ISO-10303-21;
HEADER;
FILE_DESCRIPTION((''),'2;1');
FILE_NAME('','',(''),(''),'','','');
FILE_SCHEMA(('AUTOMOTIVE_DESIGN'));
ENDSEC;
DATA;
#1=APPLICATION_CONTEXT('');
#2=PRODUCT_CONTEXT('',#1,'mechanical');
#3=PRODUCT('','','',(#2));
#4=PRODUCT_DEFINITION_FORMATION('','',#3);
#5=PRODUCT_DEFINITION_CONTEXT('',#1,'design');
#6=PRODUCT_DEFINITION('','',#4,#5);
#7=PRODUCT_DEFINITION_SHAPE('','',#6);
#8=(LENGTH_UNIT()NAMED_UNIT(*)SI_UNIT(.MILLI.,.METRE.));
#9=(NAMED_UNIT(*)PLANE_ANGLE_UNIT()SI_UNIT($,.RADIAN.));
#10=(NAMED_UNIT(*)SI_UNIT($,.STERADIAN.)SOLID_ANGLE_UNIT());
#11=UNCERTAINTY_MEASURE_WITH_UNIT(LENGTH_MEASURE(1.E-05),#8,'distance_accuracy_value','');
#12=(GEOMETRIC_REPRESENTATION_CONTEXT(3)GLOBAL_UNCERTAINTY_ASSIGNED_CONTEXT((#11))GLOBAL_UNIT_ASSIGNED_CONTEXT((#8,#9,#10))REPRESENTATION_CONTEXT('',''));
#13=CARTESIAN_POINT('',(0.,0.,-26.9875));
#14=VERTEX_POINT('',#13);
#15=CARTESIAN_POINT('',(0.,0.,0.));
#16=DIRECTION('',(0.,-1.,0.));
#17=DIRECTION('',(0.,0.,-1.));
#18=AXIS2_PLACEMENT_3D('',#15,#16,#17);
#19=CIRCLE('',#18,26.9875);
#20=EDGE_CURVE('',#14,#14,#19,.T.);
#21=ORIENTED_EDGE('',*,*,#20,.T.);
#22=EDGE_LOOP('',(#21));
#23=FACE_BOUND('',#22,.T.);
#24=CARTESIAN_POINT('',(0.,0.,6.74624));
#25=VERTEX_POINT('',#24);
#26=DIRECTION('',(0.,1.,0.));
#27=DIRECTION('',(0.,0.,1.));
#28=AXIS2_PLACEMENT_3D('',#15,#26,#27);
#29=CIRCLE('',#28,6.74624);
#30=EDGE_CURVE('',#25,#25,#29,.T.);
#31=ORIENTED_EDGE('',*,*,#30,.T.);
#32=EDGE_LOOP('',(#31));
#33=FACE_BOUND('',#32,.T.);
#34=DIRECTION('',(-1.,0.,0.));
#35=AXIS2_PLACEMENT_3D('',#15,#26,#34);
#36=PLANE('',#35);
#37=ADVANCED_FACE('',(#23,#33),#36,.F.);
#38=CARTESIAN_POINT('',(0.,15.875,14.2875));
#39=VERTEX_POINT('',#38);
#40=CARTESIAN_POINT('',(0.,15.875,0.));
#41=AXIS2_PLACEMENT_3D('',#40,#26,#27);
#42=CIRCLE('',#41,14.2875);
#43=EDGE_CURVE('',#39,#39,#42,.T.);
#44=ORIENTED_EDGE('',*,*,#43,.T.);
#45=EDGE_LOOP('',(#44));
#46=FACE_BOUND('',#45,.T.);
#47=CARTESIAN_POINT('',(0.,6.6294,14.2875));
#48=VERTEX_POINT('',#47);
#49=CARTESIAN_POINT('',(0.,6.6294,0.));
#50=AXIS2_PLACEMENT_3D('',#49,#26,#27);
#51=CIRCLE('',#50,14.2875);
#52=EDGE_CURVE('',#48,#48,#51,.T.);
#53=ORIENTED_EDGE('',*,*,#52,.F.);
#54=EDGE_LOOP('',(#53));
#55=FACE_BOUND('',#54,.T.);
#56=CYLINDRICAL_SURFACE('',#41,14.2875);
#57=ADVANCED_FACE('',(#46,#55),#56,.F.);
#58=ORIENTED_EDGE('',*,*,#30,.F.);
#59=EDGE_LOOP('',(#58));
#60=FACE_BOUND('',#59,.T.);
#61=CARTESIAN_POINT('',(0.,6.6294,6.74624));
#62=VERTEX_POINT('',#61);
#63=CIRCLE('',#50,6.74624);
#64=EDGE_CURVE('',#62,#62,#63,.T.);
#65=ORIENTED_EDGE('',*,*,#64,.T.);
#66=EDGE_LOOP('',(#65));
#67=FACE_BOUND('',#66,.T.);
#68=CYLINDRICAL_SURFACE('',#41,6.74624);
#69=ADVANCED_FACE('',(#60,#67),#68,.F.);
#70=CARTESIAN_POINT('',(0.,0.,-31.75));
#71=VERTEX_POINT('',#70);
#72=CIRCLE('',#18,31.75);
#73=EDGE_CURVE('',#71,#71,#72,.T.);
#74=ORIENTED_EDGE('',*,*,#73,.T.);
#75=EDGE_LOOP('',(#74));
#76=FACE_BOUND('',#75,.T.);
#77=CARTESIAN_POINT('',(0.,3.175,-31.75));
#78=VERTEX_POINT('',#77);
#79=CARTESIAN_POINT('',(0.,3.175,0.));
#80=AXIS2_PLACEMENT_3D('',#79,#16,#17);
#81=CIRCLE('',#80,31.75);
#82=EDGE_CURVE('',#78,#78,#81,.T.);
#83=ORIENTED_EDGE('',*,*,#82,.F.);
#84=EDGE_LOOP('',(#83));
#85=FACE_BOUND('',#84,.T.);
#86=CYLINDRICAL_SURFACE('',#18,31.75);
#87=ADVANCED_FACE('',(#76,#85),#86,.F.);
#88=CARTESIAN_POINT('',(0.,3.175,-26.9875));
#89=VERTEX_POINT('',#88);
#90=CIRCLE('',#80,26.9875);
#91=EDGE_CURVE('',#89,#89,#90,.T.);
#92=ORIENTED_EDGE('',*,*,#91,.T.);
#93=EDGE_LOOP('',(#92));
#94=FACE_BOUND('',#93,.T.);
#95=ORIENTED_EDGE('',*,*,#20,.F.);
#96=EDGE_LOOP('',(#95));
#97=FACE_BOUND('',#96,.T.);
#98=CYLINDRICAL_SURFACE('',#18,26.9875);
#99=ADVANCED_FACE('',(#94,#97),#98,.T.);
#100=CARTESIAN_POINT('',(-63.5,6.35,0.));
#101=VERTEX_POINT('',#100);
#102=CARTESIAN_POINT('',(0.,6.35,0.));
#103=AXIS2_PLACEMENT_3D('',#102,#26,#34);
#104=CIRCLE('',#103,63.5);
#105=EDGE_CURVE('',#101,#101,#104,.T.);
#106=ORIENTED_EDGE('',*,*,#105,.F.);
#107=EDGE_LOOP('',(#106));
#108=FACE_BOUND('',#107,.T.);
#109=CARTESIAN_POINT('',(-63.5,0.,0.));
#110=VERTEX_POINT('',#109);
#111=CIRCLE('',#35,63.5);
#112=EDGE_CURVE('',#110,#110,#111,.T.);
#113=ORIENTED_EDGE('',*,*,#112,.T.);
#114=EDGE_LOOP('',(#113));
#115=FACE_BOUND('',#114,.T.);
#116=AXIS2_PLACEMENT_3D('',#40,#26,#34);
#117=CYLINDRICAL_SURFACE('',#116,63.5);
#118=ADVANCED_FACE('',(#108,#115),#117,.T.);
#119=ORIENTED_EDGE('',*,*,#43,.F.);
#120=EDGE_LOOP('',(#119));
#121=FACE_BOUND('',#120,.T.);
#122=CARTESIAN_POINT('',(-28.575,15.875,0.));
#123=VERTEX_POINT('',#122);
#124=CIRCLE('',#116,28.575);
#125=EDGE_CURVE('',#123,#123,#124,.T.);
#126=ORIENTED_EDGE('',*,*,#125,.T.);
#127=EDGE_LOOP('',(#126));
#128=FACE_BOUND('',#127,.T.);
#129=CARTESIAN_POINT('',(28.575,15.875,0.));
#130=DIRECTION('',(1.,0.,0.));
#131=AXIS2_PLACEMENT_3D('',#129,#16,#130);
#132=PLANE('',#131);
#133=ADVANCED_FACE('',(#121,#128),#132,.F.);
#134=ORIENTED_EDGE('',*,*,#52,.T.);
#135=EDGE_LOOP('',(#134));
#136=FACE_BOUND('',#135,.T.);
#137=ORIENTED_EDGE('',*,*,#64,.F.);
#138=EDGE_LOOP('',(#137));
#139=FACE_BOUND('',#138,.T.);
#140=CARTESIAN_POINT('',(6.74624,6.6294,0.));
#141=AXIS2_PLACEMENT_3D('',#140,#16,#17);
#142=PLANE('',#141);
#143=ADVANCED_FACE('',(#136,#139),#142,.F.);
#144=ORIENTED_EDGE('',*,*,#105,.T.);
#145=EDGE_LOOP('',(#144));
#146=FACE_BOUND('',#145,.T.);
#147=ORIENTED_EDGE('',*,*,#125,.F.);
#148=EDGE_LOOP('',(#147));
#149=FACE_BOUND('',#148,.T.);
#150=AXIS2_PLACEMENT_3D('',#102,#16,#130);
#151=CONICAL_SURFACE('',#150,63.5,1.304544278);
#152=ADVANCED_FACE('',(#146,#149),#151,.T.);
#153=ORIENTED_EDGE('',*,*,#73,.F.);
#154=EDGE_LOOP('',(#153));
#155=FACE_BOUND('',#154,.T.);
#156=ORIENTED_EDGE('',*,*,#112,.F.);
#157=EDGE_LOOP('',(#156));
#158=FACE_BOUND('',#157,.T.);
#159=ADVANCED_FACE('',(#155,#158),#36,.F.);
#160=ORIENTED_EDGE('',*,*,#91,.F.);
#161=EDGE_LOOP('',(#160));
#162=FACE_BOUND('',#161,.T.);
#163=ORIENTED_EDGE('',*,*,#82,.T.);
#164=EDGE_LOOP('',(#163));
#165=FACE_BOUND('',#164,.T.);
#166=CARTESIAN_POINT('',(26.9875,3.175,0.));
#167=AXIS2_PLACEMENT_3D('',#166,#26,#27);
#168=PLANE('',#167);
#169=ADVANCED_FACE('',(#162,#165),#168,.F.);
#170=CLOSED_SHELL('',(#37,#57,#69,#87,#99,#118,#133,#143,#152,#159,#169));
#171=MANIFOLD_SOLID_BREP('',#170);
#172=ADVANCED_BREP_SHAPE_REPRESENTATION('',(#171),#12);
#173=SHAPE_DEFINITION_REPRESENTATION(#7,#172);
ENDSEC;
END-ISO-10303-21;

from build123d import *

# Parameters (mm, degrees)
SKETCH2_W                                = 4.7625
SKETCH2_H                                = 3.175
CBORE_FOR_1_2_HEX_HEAD_BOLT1_D           = 13.49248
CBORE_FOR_1_2_HEX_HEAD_BOLT1_CBORE_D     = 28.575
CBORE_FOR_1_2_HEX_HEAD_BOLT1_CBORE_DEPTH = 9.2456


with BuildPart() as part:
    # Sketch1 → Base-Revolve (revolve)
    with BuildSketch(Plane.XY, mode=Mode.PRIVATE) as base_revolve_sk:
        Polygon((0, 0), (63.5, 0), (63.5, 6.35), (28.575, 15.875), (0, 15.875), align=None)
    revolve(base_revolve_sk.sketch.rotate(Axis((0, 15.875, 0), (0, -1, 0)), 180), axis=Axis((0, 15.875, 0), (0, -1, 0)))

    # Sketch2 → Groove (revolve, cut)
    with BuildSketch(Plane.XY, mode=Mode.PRIVATE) as groove_sk:
        with Locations((29.36875, 1.5875)):
            Rectangle(SKETCH2_W, SKETCH2_H)
    revolve(groove_sk.sketch.rotate(Axis((0, 0, 0), (0, 1, 0)), 90), axis=Axis((0, 0, 0), (0, 1, 0)), mode=Mode.SUBTRACT)

    # CBORE for 1/2 Hex Head Bolt1 (through all)
    with Locations(Plane(origin=(0, 15.875, 0), x_dir=(-1, 0, 0), z_dir=(0, 1, 0))):
        with Locations((0, 0)):
            CounterBoreHole(CBORE_FOR_1_2_HEX_HEAD_BOLT1_D / 2, CBORE_FOR_1_2_HEX_HEAD_BOLT1_CBORE_D / 2, CBORE_FOR_1_2_HEX_HEAD_BOLT1_CBORE_DEPTH)


solid = part.part
